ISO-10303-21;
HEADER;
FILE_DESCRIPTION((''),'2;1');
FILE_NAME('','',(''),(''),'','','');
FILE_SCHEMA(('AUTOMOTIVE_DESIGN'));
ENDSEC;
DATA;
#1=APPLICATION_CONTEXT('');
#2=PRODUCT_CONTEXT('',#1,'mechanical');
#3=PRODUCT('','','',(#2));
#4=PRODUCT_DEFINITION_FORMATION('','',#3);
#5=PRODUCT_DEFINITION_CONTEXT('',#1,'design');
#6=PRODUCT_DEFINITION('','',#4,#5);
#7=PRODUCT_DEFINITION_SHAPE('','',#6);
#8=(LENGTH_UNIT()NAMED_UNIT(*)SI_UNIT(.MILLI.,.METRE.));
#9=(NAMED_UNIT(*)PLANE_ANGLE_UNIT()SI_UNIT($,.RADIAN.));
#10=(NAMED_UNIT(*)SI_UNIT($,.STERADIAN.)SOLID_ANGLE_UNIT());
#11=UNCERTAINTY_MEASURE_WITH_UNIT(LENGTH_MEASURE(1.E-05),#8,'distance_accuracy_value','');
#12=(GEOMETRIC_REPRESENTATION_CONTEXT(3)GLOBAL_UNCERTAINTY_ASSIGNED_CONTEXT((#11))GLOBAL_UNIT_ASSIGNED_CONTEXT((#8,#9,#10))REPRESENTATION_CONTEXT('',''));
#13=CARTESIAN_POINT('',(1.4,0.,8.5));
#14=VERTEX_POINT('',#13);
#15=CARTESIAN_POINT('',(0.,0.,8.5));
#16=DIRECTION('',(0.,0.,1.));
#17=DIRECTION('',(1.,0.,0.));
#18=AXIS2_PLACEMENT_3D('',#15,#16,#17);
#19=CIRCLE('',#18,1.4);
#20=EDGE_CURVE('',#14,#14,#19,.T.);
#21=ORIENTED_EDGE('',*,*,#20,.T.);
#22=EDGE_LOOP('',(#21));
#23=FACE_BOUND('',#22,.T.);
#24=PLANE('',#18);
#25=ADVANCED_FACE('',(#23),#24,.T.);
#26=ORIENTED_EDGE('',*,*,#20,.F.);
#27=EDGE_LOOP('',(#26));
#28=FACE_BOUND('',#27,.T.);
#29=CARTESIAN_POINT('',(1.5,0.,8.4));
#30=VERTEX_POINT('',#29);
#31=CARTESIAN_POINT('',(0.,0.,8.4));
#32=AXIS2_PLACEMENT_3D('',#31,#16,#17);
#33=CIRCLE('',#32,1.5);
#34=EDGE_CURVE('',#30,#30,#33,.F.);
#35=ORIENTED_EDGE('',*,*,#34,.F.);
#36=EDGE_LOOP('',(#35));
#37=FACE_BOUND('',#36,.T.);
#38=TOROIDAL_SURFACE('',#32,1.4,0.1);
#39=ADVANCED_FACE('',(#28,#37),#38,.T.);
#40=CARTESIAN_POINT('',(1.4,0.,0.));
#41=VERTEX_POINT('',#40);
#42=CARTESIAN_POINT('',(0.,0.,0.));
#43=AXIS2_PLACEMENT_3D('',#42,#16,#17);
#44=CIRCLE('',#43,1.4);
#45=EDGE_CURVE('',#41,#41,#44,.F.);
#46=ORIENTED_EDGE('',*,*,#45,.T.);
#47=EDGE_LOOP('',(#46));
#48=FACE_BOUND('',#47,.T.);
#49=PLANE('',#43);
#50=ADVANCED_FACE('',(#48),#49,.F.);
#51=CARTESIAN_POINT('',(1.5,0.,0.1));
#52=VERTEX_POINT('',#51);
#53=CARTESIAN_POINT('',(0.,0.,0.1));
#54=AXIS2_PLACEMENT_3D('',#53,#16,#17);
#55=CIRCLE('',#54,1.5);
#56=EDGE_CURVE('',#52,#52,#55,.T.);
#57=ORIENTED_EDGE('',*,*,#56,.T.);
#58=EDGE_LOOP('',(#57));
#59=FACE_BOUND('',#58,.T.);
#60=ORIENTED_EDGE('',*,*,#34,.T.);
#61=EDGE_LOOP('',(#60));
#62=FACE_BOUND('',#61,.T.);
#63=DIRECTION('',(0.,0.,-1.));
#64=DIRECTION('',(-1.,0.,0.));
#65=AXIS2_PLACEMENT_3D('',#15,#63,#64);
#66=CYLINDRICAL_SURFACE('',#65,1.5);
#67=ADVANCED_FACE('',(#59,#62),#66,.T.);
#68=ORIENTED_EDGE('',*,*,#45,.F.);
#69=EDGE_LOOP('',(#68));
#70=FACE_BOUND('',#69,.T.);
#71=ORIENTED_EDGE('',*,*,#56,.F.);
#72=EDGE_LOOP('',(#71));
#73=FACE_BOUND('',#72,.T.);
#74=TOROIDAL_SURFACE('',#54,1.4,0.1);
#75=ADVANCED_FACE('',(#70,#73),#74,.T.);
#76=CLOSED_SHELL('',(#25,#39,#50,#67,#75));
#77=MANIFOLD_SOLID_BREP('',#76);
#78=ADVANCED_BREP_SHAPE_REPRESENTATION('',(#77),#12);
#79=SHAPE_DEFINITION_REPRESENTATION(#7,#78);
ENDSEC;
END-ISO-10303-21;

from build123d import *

# Parameters (mm, degrees)
ESQUISSE1_R      = 1.5
EXTRUSION1_DEPTH = 8.5
CONG_1_R         = 0.1


with BuildPart() as part:
    # Esquisse1 → Extrusion1 (new body)
    with BuildSketch(Plane.XY):
        Circle(ESQUISSE1_R)
    extrude(amount=EXTRUSION1_DEPTH)

    # Congé1
    cong_1_edges = [part.edges().sort_by_distance(p)[0] for p in [
        (-1.5, 0, 0),
        (-1.5, 0, 8.5),
    ]]
    fillet(cong_1_edges, radius=CONG_1_R)


solid = part.part
